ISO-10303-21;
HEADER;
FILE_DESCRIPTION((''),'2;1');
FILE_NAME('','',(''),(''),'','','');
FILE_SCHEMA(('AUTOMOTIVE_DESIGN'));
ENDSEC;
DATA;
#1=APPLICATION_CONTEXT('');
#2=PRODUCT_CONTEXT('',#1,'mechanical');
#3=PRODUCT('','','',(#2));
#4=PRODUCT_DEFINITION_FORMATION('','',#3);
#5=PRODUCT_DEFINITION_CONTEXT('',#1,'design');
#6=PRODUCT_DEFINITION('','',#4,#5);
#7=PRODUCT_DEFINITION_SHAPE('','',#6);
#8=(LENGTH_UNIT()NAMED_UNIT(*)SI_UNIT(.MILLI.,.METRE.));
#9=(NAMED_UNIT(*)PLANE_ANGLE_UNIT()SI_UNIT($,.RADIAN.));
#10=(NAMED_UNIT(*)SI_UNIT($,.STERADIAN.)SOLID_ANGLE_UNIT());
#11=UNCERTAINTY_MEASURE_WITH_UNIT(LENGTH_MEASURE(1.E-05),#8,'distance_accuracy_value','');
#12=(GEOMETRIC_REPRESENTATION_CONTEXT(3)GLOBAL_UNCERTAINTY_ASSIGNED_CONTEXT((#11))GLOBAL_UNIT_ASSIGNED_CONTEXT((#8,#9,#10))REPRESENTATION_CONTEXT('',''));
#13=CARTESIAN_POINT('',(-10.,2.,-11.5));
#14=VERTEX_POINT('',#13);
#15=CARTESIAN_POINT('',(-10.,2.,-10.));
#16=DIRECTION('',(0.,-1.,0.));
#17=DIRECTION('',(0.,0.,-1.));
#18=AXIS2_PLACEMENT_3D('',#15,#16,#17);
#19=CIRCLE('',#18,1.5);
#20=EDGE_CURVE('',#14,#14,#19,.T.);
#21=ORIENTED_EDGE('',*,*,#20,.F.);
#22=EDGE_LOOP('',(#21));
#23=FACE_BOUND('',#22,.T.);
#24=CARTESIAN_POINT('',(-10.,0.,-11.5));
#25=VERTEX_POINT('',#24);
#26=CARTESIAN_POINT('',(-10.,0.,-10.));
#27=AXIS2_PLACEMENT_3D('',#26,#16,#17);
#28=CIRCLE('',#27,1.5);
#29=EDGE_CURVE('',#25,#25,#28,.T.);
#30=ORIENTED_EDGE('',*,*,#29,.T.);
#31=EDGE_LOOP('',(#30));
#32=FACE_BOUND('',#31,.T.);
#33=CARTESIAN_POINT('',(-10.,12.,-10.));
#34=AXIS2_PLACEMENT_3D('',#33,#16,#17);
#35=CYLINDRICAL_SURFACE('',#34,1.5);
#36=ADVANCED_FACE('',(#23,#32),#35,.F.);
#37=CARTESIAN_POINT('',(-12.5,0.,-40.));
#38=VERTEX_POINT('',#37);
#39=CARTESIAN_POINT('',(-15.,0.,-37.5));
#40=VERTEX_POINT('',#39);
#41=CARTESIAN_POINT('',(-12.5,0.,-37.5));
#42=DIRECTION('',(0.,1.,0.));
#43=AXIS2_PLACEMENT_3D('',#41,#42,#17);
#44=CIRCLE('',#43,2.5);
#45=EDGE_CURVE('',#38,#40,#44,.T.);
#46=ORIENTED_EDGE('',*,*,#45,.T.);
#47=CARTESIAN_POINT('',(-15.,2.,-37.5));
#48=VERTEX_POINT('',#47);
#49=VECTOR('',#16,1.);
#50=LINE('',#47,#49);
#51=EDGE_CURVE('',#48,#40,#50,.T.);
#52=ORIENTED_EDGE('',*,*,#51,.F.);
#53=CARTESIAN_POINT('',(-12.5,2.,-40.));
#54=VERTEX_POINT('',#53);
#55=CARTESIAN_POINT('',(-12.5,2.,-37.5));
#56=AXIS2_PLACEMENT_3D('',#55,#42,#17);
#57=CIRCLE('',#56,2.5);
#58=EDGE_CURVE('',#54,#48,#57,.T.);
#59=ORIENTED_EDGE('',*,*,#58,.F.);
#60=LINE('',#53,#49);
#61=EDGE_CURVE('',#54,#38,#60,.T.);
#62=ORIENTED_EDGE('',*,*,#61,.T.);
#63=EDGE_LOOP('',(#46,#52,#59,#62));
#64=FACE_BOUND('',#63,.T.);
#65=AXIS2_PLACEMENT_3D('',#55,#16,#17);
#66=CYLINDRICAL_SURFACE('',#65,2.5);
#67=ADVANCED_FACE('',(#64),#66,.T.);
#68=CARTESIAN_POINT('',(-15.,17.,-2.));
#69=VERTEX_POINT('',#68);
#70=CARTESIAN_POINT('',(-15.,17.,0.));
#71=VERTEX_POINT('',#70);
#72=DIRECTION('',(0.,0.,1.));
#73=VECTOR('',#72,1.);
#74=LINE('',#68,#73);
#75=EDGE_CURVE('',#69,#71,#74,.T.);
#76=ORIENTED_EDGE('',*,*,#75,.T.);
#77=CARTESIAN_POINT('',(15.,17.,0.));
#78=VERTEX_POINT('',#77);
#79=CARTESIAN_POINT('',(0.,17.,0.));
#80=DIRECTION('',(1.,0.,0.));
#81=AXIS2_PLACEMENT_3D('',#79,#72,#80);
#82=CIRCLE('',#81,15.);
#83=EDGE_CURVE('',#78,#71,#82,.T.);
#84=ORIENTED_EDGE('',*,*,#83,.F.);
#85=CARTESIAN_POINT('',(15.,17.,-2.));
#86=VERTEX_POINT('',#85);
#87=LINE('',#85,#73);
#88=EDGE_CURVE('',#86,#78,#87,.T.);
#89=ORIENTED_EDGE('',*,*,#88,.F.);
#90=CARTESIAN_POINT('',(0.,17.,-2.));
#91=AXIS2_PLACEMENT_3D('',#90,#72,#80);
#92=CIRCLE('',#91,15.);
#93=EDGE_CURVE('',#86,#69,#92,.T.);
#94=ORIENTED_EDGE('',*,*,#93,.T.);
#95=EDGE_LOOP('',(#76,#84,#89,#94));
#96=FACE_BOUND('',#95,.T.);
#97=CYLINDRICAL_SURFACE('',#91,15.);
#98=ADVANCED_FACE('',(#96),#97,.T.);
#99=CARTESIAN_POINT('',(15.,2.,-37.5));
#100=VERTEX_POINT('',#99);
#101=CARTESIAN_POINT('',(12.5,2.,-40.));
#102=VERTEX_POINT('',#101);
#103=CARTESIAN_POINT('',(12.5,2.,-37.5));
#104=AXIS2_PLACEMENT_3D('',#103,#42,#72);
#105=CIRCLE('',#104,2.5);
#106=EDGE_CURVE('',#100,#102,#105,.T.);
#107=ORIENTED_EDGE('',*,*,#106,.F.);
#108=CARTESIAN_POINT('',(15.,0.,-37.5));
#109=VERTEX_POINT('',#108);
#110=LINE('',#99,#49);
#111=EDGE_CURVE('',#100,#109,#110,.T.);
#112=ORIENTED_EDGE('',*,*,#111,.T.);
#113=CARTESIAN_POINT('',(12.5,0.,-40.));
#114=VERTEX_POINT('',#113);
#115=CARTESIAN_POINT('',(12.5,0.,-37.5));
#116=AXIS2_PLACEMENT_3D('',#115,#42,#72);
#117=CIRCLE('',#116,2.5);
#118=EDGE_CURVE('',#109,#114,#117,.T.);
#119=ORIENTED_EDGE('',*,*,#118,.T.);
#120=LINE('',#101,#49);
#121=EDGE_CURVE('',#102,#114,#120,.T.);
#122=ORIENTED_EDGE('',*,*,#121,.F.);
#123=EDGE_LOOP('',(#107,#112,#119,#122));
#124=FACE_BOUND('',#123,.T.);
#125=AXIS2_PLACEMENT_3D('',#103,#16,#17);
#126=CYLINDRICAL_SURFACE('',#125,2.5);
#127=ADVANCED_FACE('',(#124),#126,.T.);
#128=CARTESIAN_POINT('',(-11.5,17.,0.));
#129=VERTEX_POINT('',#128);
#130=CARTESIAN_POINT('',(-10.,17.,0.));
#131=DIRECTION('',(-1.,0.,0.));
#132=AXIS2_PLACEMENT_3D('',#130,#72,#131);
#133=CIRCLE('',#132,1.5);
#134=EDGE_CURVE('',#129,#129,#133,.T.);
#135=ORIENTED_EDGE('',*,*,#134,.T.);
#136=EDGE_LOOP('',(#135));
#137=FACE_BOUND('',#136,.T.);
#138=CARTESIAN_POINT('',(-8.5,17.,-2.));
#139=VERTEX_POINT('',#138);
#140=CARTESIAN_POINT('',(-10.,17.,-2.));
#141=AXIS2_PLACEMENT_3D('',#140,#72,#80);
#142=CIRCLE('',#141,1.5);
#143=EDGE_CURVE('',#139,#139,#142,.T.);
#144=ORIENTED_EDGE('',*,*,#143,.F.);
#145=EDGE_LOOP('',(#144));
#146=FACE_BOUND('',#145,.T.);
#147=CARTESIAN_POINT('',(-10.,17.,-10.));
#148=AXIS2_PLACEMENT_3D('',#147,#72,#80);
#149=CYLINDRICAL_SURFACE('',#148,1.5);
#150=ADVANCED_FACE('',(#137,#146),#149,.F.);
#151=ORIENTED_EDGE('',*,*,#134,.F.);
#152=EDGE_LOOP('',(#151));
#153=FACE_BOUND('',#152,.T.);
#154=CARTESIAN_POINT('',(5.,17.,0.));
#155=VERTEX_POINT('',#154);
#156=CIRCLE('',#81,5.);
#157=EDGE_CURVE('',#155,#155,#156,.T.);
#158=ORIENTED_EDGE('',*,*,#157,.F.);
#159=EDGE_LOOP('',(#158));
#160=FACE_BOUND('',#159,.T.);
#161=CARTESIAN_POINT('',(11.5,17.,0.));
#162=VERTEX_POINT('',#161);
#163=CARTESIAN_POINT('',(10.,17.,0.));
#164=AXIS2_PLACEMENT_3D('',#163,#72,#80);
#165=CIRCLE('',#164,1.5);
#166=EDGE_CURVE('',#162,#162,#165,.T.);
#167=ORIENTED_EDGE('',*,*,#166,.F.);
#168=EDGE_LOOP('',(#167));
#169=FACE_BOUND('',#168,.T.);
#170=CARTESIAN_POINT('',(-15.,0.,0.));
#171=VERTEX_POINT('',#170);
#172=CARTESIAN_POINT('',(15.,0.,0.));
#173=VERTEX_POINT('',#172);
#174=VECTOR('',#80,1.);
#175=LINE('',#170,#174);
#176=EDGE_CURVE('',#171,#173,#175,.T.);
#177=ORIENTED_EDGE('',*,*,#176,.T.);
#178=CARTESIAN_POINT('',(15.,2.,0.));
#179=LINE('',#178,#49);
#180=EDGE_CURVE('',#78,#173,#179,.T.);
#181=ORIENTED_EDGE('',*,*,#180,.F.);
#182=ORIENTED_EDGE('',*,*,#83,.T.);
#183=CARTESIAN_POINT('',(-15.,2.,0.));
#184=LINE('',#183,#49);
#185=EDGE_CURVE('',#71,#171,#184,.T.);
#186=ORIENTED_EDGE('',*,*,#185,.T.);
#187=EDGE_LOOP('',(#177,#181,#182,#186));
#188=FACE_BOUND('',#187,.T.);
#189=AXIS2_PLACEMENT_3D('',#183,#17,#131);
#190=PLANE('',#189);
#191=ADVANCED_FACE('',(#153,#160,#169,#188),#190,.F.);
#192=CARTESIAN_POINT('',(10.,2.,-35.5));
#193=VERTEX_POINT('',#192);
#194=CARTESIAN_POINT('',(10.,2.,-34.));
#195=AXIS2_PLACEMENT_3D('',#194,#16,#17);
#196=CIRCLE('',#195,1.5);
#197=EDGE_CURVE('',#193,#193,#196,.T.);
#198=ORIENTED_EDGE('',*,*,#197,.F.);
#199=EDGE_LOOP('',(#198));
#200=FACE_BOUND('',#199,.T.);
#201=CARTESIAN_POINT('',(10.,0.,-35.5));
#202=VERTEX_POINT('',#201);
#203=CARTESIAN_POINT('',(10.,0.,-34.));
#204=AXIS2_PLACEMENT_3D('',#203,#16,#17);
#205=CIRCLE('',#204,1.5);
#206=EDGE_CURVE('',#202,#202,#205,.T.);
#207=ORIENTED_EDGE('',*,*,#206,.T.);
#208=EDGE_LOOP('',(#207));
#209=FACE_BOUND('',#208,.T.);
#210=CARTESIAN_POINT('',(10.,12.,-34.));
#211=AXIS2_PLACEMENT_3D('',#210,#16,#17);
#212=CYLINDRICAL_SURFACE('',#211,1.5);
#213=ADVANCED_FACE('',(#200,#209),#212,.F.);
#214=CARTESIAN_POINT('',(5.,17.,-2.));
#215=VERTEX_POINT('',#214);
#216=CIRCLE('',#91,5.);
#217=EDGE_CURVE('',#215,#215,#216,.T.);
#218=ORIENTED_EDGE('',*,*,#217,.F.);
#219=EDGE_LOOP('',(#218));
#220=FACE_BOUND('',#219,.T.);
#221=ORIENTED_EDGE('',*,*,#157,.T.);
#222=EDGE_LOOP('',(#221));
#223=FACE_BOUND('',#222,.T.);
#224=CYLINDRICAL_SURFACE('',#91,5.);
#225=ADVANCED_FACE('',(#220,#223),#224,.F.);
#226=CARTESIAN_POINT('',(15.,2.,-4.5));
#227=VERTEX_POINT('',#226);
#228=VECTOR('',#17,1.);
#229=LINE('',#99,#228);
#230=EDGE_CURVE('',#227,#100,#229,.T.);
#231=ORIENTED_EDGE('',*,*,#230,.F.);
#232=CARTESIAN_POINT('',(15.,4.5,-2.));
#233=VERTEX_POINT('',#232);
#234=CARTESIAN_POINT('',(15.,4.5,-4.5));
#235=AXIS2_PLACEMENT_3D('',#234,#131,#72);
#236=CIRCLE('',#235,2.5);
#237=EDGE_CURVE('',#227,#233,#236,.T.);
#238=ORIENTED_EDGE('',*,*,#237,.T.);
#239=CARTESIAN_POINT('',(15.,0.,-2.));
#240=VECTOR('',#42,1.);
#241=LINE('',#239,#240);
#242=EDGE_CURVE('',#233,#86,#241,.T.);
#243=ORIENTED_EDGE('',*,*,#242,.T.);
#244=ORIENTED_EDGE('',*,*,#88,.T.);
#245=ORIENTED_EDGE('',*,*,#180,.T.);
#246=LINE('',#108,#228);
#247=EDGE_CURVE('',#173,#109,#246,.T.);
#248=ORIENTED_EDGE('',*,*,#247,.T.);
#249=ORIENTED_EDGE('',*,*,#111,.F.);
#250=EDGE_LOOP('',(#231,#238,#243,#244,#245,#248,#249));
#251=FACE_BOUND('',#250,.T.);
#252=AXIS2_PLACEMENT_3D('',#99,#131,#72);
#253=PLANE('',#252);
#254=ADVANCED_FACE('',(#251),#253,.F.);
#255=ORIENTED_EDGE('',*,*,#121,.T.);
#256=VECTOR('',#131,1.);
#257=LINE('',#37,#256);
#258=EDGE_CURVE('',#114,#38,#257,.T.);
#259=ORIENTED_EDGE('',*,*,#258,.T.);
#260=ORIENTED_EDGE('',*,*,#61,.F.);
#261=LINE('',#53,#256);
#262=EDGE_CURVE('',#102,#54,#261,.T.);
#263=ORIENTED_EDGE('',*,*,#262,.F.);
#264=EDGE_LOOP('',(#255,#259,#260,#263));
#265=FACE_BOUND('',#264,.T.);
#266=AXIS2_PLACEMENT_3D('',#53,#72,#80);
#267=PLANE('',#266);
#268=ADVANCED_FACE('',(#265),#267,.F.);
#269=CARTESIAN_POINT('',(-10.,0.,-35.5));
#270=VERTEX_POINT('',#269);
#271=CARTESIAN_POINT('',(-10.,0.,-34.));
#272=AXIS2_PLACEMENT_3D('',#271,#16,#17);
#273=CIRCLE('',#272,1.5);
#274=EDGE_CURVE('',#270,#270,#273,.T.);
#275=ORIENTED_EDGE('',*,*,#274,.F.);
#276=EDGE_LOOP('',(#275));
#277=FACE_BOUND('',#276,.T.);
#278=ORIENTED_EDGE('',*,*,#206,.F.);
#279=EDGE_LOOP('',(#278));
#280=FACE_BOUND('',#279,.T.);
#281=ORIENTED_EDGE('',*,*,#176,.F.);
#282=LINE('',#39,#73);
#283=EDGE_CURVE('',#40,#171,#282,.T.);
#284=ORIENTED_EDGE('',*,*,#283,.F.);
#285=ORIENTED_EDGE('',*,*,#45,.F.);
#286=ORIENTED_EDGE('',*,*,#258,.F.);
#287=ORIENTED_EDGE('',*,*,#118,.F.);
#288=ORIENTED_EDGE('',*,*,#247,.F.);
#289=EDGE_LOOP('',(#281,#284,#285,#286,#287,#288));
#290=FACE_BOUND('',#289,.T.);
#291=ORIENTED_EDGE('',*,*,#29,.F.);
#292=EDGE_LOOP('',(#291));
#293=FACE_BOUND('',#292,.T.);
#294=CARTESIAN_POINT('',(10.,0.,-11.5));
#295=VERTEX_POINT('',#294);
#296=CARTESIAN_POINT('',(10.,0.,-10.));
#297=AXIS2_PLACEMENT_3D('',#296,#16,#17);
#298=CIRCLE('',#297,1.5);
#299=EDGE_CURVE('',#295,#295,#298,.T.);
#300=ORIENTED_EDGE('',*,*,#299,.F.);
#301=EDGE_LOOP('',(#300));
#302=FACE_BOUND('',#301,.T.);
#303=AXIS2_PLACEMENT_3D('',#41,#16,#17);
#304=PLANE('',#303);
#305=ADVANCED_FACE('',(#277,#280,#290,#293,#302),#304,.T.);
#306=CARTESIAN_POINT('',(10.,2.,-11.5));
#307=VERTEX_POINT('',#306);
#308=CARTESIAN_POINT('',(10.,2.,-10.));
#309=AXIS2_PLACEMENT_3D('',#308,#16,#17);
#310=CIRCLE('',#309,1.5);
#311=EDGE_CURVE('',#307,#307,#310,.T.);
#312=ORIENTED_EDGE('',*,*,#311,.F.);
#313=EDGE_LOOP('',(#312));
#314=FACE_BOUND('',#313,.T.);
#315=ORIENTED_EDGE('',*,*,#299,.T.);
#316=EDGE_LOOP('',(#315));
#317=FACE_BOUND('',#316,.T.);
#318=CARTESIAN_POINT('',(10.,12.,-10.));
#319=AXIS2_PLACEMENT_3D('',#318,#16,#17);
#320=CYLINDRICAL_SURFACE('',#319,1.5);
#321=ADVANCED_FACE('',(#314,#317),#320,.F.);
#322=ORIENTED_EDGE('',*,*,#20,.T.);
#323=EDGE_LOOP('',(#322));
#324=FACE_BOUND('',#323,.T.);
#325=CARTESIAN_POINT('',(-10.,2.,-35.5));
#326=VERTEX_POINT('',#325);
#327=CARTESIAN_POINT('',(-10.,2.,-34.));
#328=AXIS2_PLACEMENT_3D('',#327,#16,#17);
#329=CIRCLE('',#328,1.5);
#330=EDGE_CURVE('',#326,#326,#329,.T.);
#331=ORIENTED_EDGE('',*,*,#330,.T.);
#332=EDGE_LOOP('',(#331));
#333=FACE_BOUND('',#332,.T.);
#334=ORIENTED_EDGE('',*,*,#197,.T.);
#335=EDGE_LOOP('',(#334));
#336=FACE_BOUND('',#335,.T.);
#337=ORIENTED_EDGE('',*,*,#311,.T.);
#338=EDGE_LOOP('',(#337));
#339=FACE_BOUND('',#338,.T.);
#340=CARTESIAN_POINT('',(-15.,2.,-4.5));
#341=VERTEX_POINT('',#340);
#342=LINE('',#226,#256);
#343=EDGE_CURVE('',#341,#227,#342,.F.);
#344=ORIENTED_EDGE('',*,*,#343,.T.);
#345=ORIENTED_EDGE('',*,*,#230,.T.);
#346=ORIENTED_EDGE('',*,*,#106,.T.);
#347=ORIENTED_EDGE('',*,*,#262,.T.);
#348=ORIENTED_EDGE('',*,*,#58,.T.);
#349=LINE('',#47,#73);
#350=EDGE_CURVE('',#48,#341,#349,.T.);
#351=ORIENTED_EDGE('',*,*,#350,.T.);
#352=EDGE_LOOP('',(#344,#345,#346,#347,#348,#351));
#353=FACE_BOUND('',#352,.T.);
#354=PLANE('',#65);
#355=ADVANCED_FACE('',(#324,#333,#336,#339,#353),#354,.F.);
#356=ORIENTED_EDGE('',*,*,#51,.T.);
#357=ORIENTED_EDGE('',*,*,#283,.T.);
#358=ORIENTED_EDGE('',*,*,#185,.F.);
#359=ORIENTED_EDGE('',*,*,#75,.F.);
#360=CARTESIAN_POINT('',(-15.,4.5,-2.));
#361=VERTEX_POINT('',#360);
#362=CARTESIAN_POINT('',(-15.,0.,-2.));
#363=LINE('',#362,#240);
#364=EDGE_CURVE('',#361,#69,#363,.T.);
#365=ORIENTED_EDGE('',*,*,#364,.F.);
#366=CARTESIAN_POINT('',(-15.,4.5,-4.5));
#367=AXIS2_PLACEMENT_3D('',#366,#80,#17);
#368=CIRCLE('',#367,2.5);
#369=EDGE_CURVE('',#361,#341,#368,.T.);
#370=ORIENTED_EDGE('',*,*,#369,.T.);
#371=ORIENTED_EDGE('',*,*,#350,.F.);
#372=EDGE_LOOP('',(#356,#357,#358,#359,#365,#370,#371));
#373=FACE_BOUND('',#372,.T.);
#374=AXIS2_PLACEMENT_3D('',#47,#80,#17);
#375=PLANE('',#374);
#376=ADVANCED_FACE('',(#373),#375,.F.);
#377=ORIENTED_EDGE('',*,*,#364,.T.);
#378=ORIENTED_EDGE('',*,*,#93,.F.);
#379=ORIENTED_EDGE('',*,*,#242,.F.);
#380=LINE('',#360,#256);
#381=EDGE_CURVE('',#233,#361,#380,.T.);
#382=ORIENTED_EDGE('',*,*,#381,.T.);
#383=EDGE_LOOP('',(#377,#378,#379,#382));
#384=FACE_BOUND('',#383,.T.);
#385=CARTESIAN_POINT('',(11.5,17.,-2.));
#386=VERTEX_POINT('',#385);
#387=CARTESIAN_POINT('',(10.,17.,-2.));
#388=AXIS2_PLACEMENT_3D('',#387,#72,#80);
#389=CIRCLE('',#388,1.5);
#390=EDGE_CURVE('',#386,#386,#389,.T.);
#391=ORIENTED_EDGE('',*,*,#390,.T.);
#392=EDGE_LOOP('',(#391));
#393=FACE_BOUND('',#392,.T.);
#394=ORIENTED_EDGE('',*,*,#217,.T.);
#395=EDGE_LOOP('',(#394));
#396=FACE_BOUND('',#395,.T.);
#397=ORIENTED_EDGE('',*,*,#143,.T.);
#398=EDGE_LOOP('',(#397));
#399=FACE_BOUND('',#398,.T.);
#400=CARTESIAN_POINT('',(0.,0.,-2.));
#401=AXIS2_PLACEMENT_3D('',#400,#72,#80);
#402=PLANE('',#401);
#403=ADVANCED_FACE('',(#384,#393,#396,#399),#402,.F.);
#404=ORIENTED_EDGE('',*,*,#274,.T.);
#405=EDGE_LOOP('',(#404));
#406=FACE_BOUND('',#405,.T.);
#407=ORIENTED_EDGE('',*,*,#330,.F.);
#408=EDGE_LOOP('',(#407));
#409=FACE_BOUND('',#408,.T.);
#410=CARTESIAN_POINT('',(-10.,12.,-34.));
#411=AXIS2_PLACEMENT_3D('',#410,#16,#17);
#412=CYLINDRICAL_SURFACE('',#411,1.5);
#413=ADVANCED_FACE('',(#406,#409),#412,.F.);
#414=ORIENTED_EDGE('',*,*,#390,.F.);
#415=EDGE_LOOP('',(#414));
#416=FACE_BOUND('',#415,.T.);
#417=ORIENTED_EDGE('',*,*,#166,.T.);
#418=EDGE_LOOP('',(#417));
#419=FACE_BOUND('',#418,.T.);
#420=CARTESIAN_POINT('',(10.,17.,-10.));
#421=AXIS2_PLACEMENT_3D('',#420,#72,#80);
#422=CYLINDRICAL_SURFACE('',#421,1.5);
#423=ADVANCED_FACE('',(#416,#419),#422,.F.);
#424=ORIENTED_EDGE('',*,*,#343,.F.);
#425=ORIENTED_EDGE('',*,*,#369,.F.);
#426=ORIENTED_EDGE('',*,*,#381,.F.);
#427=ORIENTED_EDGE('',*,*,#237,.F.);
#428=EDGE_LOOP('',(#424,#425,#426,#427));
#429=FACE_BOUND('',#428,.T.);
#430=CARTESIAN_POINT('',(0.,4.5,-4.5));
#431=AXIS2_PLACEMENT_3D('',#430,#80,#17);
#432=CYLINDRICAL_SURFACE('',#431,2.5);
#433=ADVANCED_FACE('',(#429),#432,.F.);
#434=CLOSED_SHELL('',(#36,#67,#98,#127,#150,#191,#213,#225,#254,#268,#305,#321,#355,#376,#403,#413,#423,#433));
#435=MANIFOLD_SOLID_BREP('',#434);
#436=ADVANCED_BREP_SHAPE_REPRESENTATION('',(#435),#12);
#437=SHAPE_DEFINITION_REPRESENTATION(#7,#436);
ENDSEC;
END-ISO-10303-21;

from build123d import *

# Parameters (mm, degrees)
EXTRUDE_1_DEPTH     = 2
SKETCH_2_R          = 5
EXTRUDE_2_DEPTH     = 2
FILLET_1_R          = 2.5
SKETCH_3_R          = 1.5
CUT_EXTRUDE_1_DEPTH = 12
SKETCH_4_R          = 1.5
CUT_EXTRUDE_2_DEPTH = 10


with BuildPart() as part:
    # 草图1 → 凸台-拉伸1 (new body)
    with BuildSketch(Plane(origin=(0, 0, 0), x_dir=(1, 0, 0), z_dir=(0, 1, 0))):
        with BuildLine():
            Line((-12.5, 40), (12.5, 40))
            ThreePointArc((12.5, 40), (14.267766953, 39.267766953), (15, 37.5))
            Line((15, 37.5), (15, 0))
            Line((15, 0), (-15, 0))
            Line((-15, 0), (-15, 37.5))
            ThreePointArc((-15, 37.5), (-14.267766953, 39.267766953), (-12.5, 40))
        make_face()
    extrude(amount=EXTRUDE_1_DEPTH)

    # 草图2 → 凸台-拉伸2 (add)
    with BuildSketch(Plane.XY):
        with BuildLine():
            Line((-15, 17), (-15, 2))
            Line((-15, 2), (15, 2))
            Line((15, 2), (15, 17))
            ThreePointArc((15, 17), (0, 32), (-15, 17))
        make_face()
        with Locations((0, 17)):
            Circle(SKETCH_2_R, mode=Mode.SUBTRACT)
    extrude(amount=-EXTRUDE_2_DEPTH)

    # 圆角1
    fillet_1_edges = [part.edges().sort_by_distance(p)[0] for p in [
        (0, 2, -2),
    ]]
    fillet(fillet_1_edges, radius=FILLET_1_R)

    # 草图3 → 切除-拉伸1 (cut)
    with BuildSketch(Plane.XZ):
        with Locations((10, -10)):
            Circle(SKETCH_3_R)
        with Locations((-10, -10)):
            Circle(SKETCH_3_R)
        with Locations((-10, -34)):
            Circle(SKETCH_3_R)
        with Locations((10, -34)):
            Circle(SKETCH_3_R)
    extrude(amount=-CUT_EXTRUDE_1_DEPTH, mode=Mode.SUBTRACT)

    # 草图4 → 切除-拉伸2 (cut)
    with BuildSketch(Plane.XY):
        with Locations((10, 17)):
            Circle(SKETCH_4_R)
        with Locations((-10, 17)):
            Circle(SKETCH_4_R)
    extrude(amount=-CUT_EXTRUDE_2_DEPTH, mode=Mode.SUBTRACT)


solid = part.part
